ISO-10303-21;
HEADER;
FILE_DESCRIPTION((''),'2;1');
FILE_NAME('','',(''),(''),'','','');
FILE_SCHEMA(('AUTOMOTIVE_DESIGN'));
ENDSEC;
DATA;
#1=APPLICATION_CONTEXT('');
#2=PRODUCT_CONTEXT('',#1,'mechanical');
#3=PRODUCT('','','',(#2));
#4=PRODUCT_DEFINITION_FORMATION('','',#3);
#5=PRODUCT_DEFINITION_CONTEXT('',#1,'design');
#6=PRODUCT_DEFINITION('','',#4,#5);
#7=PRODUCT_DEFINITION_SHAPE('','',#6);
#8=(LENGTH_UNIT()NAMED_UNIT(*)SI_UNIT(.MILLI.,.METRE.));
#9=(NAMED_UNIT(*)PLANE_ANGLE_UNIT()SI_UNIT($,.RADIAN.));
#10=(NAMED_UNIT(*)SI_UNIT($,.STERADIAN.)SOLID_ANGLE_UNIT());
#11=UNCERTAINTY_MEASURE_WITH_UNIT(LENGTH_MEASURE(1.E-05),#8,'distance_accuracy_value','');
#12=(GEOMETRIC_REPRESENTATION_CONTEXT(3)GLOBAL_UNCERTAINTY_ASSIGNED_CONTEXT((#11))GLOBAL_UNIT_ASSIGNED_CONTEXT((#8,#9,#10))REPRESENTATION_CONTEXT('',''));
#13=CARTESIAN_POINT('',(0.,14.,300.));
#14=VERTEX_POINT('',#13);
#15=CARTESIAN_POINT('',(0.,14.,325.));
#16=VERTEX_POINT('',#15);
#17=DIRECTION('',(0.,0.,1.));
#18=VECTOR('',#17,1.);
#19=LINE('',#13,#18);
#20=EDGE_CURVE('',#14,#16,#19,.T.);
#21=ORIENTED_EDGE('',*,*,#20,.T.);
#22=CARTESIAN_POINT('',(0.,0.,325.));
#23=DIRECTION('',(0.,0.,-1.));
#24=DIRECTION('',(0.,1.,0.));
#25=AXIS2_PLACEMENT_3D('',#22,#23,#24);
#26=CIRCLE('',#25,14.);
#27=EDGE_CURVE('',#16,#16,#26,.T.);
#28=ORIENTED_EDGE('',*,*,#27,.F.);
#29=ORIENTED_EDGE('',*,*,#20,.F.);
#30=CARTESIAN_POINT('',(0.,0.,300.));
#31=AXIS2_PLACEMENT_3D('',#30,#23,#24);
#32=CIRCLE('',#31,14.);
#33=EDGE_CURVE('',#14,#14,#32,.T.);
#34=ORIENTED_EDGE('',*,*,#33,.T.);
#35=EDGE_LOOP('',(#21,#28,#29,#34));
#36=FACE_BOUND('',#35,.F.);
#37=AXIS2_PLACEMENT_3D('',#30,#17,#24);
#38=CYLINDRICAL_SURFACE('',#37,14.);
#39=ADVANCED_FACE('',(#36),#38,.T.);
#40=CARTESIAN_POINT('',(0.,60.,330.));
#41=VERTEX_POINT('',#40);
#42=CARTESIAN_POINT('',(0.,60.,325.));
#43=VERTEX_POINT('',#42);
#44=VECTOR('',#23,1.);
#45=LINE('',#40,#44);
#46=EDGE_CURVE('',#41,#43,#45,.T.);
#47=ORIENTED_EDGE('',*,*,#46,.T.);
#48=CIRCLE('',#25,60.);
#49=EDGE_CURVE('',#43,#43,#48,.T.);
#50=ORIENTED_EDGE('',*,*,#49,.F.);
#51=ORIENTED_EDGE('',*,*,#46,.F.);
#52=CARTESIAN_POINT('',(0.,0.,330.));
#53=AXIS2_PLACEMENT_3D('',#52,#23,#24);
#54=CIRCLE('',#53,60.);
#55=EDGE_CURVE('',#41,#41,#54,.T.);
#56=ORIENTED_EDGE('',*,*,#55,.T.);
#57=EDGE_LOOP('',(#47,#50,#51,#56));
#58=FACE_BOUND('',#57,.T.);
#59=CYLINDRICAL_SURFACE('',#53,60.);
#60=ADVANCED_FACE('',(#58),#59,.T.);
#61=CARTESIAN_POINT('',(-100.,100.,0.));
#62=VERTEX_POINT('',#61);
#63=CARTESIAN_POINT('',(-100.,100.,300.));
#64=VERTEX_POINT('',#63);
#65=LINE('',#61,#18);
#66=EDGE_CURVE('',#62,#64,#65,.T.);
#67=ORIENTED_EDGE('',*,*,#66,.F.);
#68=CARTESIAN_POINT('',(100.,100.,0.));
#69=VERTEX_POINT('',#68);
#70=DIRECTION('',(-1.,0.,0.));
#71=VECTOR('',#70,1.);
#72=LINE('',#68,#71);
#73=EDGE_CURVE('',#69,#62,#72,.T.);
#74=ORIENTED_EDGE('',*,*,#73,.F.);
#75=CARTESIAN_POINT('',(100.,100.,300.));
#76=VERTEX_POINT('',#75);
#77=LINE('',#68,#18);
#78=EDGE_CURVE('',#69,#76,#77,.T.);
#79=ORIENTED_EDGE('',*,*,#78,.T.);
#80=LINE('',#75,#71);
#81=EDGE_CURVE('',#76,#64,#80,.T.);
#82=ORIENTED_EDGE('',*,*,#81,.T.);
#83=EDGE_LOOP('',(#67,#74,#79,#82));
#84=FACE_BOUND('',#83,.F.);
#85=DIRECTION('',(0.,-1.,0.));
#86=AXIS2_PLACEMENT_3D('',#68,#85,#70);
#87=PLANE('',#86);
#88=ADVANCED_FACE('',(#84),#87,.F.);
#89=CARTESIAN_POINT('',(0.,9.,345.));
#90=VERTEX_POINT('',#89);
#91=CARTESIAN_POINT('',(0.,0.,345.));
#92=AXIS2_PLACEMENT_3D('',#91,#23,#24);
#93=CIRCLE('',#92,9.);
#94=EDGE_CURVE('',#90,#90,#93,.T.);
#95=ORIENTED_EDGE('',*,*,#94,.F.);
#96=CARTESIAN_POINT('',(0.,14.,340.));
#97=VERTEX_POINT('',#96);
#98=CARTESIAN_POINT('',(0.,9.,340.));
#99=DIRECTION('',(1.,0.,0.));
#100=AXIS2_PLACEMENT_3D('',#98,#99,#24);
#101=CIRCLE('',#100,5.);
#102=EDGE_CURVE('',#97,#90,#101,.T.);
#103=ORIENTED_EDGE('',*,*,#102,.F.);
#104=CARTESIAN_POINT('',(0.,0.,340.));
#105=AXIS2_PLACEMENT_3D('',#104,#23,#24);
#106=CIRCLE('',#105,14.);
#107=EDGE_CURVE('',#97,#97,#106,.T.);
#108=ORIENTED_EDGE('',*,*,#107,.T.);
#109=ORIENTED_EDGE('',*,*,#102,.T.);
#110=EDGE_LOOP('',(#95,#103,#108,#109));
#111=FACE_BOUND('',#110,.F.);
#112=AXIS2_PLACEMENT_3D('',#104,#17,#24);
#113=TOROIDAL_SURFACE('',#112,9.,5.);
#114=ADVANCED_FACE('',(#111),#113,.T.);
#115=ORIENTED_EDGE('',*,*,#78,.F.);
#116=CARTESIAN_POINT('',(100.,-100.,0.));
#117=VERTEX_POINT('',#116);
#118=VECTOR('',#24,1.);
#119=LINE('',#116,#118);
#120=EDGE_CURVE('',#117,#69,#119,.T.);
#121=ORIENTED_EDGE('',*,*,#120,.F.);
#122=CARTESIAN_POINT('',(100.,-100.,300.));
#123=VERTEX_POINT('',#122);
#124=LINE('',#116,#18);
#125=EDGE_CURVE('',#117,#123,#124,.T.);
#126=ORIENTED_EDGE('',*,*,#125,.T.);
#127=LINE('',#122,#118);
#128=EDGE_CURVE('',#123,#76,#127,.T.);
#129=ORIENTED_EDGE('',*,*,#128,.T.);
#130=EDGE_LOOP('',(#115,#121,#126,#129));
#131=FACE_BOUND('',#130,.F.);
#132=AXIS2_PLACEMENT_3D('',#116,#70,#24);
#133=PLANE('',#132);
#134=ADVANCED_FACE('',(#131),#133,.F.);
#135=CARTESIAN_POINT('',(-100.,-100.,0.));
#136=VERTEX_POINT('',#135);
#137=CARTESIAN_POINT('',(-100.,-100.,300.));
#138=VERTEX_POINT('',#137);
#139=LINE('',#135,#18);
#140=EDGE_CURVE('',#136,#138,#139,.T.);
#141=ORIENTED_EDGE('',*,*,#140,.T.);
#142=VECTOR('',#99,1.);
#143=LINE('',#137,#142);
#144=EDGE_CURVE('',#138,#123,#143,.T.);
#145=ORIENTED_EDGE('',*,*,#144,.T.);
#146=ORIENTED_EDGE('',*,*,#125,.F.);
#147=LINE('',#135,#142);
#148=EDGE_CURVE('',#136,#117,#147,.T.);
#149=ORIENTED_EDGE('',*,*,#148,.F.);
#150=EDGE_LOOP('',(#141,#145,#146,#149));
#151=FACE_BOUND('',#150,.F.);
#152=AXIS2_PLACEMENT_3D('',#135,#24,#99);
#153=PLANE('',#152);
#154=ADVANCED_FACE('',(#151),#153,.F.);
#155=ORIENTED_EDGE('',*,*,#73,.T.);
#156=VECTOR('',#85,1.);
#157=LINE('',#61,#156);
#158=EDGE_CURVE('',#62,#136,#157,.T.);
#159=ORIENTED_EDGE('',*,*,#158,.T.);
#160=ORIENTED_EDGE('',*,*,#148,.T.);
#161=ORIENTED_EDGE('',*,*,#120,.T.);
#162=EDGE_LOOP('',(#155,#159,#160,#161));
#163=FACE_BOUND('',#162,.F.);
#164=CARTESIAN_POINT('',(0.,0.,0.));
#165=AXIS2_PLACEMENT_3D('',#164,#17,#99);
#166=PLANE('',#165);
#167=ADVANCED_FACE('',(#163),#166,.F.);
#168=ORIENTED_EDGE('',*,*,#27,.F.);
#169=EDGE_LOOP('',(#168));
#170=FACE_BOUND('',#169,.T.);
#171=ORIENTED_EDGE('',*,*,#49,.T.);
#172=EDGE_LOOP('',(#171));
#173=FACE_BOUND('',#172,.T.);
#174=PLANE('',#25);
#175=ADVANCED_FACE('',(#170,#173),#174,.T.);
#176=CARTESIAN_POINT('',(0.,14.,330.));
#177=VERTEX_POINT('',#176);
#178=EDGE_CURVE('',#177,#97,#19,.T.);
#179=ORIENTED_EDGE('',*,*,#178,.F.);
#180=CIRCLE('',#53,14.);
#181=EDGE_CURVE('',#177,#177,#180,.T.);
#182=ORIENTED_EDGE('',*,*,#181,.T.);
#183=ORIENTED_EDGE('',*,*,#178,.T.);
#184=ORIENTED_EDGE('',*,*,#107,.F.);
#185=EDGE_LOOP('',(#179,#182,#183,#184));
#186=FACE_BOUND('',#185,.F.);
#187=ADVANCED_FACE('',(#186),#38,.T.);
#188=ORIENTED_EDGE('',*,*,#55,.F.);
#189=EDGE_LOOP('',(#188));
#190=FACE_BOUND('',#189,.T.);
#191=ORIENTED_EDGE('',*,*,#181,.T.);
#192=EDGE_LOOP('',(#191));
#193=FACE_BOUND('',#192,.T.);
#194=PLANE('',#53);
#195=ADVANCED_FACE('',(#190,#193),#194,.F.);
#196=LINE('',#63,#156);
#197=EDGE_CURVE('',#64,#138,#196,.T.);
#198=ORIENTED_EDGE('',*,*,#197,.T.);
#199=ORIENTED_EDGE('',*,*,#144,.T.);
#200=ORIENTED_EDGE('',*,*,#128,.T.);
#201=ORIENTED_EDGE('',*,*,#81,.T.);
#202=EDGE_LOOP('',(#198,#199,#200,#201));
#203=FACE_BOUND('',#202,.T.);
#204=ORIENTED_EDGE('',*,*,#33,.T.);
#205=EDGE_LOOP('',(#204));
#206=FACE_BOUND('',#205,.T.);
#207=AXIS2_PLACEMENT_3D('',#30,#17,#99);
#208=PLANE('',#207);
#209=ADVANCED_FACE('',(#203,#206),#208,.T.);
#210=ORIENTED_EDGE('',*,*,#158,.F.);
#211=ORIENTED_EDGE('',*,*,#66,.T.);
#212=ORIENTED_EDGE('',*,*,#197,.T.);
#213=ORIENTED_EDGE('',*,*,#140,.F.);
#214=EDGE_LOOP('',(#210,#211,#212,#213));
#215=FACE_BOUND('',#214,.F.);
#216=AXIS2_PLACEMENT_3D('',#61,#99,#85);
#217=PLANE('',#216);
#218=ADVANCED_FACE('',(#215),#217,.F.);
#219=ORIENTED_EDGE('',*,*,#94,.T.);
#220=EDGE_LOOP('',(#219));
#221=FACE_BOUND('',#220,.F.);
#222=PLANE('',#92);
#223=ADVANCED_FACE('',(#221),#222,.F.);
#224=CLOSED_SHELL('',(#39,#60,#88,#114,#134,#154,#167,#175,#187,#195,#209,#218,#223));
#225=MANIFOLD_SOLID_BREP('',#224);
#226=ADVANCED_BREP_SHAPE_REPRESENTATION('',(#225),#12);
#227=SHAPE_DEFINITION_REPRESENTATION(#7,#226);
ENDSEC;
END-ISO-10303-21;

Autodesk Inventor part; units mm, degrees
ref_plane "YZ Plane" through (0, 0, 0) normal (1, 0, 0) x (0, 1, 0)
ref_plane "XZ Plane" through (0, 0, 0) normal (0, 1, 0) x (-1, 0, 0)
ref_plane "XY Plane" through (0, 0, 0) normal (0, 0, 1) x (1, 0, 0)
sketch "スケッチ1" plane through (0, 0, 0) normal (0, 0, 1) x (1, 0, 0)
  line L0 (-100, -100) -> (100, -100)
  line L1 (100, -100) -> (100, 100)
  line L2 (100, 100) -> (-100, 100)
  line L3 (-100, 100) -> (-100, -100)
  line L4 (-100, -100) -> (100, 100) construction
  line L5 (100, -100) -> (-100, 100) construction
  point P0 (0, 0)
  dimension "d0" = 200
extrude "押し出し1" add sketch "スケッチ1" along normal blind 300
sketch "スケッチ2" plane through (0, 0, 0) normal (1, 0, 0) x (0, 1, 0)
  line L0 (0, 300) -> (14, 300)
  line L1 (14, 300) -> (14, 340)
  line L2 (9, 345) -> (0, 345)
  line L3 (0, 345) -> (0, 300)
  line L4 (100, 300) -> (-100, 300) projected
  line L5 (0, 330) -> (60, 330)
  line L6 (60, 330) -> (60, 325)
  line L7 (60, 325) -> (0, 325)
  line L8 (0, 325) -> (0, 330)
  arc A0 (14, 340) -> (9, 345) centre (9, 340) ccw
  point P0 (0, 0)
  dimension "d3" = 14
  dimension "d4" = 45
  dimension "d5" = 5
  dimension "d6" = 60
  dimension "d7" = 15
  dimension "d8" = 5
  dimension "d10" = 25
revolve "回転1" add sketch "スケッチ2" angle 360 about axis through (0, 0, 345) along (0, 0, -1)
properties part number "Wind Trubin Engine"
